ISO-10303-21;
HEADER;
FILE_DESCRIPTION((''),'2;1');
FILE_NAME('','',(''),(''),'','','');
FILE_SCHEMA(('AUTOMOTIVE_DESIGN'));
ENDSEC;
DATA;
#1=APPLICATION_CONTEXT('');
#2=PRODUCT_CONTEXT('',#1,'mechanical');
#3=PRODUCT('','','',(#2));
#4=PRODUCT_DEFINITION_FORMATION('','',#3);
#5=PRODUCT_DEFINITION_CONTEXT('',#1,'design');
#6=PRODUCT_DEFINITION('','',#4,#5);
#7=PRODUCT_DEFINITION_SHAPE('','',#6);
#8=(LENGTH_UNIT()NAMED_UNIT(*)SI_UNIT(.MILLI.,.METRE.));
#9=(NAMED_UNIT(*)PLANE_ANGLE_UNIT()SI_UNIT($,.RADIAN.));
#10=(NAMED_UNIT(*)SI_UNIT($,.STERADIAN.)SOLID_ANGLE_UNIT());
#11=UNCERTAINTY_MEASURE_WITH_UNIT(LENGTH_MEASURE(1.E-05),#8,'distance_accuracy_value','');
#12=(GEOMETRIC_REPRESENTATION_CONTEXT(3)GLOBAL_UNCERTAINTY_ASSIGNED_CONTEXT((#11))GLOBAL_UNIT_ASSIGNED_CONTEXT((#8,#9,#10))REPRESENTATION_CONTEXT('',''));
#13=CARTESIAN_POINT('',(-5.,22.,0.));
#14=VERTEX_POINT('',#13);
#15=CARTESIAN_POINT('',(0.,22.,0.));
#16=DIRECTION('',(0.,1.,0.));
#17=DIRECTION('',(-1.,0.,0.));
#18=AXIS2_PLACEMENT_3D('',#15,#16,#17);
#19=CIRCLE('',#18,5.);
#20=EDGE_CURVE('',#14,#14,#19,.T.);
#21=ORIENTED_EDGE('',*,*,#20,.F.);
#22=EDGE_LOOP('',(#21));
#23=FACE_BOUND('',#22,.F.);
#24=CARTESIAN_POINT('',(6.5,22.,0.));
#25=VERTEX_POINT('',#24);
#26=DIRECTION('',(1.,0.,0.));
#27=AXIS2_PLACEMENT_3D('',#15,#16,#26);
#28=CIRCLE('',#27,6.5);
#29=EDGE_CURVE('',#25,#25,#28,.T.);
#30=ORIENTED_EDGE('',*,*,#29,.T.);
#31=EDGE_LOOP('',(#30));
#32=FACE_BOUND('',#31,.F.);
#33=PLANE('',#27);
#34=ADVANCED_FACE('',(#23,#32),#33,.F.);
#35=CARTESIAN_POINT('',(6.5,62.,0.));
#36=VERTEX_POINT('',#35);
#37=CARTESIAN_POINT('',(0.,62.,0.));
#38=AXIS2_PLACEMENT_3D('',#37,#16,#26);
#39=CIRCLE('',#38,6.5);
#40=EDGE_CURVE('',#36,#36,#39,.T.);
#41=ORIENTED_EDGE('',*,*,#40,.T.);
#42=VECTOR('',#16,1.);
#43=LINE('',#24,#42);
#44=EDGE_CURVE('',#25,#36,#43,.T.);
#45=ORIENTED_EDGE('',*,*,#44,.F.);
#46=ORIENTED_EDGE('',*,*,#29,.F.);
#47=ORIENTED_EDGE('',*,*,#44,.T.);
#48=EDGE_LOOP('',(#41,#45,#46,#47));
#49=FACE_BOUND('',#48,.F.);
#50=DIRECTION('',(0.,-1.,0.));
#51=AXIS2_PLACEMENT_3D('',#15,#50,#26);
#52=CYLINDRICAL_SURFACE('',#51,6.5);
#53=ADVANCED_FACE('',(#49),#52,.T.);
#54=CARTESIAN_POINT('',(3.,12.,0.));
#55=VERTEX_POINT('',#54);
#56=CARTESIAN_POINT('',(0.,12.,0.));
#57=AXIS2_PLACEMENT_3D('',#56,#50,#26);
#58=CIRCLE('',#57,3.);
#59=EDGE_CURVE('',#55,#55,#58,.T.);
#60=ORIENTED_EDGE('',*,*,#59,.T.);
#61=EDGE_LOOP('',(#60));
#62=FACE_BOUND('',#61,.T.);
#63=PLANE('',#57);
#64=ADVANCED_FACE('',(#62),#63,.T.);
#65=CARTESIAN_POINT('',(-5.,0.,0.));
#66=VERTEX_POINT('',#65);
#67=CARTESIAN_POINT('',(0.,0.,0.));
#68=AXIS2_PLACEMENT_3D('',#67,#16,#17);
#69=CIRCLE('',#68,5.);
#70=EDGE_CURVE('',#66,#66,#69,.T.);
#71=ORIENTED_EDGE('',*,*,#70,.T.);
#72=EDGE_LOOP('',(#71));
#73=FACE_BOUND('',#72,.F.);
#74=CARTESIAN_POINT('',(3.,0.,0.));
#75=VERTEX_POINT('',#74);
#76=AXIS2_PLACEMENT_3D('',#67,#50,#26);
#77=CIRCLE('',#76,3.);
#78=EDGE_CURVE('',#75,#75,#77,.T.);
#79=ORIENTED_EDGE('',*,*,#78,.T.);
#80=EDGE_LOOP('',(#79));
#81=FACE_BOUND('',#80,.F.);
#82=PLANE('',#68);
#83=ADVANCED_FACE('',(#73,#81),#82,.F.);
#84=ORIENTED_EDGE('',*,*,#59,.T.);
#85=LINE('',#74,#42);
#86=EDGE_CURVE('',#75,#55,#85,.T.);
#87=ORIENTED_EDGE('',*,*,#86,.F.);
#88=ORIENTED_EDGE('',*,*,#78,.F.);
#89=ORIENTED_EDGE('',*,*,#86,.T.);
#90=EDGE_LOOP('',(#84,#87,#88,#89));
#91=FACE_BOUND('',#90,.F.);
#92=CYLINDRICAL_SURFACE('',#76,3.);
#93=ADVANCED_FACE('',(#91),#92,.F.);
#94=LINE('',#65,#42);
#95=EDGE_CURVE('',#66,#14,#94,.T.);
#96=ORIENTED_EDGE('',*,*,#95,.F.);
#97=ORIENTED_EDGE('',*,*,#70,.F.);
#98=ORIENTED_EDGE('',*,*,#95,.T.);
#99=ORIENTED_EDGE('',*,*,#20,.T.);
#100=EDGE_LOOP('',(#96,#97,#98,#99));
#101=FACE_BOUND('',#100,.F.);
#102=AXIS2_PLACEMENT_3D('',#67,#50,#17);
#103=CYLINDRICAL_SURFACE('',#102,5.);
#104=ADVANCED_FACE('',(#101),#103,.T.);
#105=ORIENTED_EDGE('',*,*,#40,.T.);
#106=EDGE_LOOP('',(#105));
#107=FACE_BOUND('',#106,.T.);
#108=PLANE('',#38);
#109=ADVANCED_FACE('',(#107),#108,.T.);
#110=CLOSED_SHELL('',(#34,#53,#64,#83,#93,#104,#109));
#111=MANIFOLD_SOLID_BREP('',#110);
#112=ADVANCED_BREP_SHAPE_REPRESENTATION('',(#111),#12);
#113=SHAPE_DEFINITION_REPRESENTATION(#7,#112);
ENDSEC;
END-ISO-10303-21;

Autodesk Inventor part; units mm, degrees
ref_plane "YZ Plane" through (0, 0, 0) normal (1, 0, 0) x (0, 1, 0)
ref_plane "XZ Plane" through (0, 0, 0) normal (0, 1, 0) x (-1, 0, 0)
ref_plane "XY Plane" through (0, 0, 0) normal (0, 0, 1) x (1, 0, 0)
sketch "スケッチ1" plane through (0, 0, 0) normal (0, 1, 0) x (-1, 0, 0)
  circle A0 centre (0, 0) radius 5
  dimension "d0" = 10
extrude "押し出し1" add sketch "スケッチ1" along normal blind 22
sketch "スケッチ2" plane through (0, 22, 0) normal (0, 1, 0) x (1, 0, 0)
  circle A0 centre (0, 0) radius 6.5
  dimension "d3" = 13
extrude "押し出し2" add sketch "スケッチ2" along normal blind 40
sketch "スケッチ3" plane through (0, 62, 0) normal (0, 1, 0) x (1, 0, 0)
  point P0 (0, 0)
sketch "スケッチ4" plane through (0, 0, 0) normal (0, -1, 0) x (1, 0, 0)
  circle A0 centre (0, 0) radius 3
  dimension "d6" = 6
extrude "押し出し3" cut sketch "スケッチ4" against normal blind 12
properties part number "shaft-k-ki"
